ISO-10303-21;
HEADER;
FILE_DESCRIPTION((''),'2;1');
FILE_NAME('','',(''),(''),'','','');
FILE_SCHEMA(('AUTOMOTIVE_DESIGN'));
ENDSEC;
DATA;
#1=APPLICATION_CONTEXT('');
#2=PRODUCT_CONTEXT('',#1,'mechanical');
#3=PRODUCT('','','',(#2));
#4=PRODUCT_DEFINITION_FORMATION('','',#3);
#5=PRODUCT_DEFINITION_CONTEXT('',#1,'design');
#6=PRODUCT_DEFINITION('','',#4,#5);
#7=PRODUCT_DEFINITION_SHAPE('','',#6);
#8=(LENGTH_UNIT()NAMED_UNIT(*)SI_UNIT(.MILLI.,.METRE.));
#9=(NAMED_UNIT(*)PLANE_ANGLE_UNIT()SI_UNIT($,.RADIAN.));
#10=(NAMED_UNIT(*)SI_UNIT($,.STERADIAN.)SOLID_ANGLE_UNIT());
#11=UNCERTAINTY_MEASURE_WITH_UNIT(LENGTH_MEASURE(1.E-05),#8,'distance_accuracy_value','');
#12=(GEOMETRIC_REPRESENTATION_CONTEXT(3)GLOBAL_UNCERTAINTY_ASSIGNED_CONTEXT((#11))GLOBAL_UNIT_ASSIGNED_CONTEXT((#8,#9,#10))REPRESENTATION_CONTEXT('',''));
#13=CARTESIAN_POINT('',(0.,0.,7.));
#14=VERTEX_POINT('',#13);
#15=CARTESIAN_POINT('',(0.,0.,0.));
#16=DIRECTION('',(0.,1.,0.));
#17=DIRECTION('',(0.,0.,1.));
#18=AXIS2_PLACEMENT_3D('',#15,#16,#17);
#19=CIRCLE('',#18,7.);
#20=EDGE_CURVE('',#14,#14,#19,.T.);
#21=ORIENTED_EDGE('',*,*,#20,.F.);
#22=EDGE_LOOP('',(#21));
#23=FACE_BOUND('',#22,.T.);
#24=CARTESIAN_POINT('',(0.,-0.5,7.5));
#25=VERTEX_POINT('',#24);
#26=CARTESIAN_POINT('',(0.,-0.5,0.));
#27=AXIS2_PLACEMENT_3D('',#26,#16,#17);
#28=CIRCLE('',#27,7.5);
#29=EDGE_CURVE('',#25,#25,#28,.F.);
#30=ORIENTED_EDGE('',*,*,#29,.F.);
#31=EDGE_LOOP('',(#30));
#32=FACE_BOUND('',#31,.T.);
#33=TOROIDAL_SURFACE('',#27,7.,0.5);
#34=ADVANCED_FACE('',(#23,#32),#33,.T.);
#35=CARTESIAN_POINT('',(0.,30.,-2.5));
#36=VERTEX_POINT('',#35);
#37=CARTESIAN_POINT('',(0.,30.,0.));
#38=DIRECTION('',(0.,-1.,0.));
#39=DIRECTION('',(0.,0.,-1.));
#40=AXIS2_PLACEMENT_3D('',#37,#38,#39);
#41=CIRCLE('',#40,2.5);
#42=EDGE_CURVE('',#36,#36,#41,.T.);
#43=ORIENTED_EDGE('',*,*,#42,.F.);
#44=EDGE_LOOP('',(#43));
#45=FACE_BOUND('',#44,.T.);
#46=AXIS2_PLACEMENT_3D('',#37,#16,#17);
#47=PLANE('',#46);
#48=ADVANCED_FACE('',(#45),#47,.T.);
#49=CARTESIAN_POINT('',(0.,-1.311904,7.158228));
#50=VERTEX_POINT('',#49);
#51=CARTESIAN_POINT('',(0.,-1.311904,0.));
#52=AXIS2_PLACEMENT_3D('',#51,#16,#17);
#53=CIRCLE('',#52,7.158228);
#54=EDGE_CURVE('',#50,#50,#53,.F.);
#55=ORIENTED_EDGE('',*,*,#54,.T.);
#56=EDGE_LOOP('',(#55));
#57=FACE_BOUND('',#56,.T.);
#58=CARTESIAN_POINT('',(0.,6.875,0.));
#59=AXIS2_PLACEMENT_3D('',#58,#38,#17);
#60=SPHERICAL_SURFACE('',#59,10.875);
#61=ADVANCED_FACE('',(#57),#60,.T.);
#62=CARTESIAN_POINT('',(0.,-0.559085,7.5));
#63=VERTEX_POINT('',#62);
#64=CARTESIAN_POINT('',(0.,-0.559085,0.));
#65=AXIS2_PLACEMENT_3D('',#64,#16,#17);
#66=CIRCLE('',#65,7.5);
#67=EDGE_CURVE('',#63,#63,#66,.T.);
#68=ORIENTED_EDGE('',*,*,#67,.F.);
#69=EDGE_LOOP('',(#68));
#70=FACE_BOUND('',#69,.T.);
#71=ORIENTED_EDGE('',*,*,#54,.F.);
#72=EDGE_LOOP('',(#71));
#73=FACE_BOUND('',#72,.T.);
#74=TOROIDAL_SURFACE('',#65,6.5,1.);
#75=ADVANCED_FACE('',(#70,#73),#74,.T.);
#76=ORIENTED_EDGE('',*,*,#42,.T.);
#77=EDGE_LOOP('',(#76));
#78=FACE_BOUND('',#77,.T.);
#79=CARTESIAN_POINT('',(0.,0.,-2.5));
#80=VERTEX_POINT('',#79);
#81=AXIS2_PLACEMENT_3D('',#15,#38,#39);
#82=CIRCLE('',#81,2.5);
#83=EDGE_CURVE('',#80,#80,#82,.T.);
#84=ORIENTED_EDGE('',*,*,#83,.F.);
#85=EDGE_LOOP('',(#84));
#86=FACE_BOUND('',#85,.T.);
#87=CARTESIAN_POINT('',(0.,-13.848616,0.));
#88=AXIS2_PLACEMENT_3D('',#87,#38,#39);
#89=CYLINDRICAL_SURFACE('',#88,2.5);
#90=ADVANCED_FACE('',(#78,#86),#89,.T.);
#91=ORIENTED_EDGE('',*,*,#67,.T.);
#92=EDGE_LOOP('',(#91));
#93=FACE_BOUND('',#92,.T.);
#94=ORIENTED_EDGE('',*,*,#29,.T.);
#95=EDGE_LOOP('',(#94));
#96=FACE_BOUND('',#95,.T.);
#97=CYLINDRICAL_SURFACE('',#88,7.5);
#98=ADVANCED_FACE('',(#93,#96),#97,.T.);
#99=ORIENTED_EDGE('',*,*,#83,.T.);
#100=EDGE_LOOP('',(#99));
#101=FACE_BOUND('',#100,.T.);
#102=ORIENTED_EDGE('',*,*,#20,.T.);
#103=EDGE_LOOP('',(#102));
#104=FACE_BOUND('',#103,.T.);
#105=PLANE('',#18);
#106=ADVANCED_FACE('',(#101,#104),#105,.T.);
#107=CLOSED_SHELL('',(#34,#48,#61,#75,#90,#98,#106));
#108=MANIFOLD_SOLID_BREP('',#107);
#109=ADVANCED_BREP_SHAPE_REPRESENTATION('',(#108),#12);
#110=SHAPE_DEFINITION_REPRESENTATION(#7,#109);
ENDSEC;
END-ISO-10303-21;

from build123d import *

# Parameters (mm, degrees)
SKETCH1_W = 30
SKETCH1_H = 2.5
FILLET1_R = 0.5
FILLET2_R = 1


with BuildPart() as part:
    # Sketch1 → Revolve1 (revolve)
    with BuildSketch(Plane.YZ, mode=Mode.PRIVATE) as revolve1_sk:
        with BuildLine():
            ThreePointArc((-1, 7.5), (-3.222184013, 4.038873605), (-4, 0))
            Line((-4, 0), (0, 0))
            Line((0, 0), (0, 7.5))
            Line((0, 7.5), (-1, 7.5))
        make_face()
        with Locations((15, 1.25)):
            Rectangle(SKETCH1_W, SKETCH1_H)
    revolve(revolve1_sk.sketch.rotate(Axis((0, -13.848615749, 0), (0, 1, 0)), 180), axis=Axis((0, -13.848615749, 0), (0, 1, 0)))

    # Fillet1
    fillet1_edges = [part.edges().sort_by_distance(p)[0] for p in [
        (0, 0, 7.5),
    ]]
    fillet(fillet1_edges, radius=FILLET1_R)

    # Fillet2
    fillet2_edges = [part.edges().sort_by_distance(p)[0] for p in [
        (0, -1, 7.5),
    ]]
    fillet(fillet2_edges, radius=FILLET2_R)


solid = part.part
